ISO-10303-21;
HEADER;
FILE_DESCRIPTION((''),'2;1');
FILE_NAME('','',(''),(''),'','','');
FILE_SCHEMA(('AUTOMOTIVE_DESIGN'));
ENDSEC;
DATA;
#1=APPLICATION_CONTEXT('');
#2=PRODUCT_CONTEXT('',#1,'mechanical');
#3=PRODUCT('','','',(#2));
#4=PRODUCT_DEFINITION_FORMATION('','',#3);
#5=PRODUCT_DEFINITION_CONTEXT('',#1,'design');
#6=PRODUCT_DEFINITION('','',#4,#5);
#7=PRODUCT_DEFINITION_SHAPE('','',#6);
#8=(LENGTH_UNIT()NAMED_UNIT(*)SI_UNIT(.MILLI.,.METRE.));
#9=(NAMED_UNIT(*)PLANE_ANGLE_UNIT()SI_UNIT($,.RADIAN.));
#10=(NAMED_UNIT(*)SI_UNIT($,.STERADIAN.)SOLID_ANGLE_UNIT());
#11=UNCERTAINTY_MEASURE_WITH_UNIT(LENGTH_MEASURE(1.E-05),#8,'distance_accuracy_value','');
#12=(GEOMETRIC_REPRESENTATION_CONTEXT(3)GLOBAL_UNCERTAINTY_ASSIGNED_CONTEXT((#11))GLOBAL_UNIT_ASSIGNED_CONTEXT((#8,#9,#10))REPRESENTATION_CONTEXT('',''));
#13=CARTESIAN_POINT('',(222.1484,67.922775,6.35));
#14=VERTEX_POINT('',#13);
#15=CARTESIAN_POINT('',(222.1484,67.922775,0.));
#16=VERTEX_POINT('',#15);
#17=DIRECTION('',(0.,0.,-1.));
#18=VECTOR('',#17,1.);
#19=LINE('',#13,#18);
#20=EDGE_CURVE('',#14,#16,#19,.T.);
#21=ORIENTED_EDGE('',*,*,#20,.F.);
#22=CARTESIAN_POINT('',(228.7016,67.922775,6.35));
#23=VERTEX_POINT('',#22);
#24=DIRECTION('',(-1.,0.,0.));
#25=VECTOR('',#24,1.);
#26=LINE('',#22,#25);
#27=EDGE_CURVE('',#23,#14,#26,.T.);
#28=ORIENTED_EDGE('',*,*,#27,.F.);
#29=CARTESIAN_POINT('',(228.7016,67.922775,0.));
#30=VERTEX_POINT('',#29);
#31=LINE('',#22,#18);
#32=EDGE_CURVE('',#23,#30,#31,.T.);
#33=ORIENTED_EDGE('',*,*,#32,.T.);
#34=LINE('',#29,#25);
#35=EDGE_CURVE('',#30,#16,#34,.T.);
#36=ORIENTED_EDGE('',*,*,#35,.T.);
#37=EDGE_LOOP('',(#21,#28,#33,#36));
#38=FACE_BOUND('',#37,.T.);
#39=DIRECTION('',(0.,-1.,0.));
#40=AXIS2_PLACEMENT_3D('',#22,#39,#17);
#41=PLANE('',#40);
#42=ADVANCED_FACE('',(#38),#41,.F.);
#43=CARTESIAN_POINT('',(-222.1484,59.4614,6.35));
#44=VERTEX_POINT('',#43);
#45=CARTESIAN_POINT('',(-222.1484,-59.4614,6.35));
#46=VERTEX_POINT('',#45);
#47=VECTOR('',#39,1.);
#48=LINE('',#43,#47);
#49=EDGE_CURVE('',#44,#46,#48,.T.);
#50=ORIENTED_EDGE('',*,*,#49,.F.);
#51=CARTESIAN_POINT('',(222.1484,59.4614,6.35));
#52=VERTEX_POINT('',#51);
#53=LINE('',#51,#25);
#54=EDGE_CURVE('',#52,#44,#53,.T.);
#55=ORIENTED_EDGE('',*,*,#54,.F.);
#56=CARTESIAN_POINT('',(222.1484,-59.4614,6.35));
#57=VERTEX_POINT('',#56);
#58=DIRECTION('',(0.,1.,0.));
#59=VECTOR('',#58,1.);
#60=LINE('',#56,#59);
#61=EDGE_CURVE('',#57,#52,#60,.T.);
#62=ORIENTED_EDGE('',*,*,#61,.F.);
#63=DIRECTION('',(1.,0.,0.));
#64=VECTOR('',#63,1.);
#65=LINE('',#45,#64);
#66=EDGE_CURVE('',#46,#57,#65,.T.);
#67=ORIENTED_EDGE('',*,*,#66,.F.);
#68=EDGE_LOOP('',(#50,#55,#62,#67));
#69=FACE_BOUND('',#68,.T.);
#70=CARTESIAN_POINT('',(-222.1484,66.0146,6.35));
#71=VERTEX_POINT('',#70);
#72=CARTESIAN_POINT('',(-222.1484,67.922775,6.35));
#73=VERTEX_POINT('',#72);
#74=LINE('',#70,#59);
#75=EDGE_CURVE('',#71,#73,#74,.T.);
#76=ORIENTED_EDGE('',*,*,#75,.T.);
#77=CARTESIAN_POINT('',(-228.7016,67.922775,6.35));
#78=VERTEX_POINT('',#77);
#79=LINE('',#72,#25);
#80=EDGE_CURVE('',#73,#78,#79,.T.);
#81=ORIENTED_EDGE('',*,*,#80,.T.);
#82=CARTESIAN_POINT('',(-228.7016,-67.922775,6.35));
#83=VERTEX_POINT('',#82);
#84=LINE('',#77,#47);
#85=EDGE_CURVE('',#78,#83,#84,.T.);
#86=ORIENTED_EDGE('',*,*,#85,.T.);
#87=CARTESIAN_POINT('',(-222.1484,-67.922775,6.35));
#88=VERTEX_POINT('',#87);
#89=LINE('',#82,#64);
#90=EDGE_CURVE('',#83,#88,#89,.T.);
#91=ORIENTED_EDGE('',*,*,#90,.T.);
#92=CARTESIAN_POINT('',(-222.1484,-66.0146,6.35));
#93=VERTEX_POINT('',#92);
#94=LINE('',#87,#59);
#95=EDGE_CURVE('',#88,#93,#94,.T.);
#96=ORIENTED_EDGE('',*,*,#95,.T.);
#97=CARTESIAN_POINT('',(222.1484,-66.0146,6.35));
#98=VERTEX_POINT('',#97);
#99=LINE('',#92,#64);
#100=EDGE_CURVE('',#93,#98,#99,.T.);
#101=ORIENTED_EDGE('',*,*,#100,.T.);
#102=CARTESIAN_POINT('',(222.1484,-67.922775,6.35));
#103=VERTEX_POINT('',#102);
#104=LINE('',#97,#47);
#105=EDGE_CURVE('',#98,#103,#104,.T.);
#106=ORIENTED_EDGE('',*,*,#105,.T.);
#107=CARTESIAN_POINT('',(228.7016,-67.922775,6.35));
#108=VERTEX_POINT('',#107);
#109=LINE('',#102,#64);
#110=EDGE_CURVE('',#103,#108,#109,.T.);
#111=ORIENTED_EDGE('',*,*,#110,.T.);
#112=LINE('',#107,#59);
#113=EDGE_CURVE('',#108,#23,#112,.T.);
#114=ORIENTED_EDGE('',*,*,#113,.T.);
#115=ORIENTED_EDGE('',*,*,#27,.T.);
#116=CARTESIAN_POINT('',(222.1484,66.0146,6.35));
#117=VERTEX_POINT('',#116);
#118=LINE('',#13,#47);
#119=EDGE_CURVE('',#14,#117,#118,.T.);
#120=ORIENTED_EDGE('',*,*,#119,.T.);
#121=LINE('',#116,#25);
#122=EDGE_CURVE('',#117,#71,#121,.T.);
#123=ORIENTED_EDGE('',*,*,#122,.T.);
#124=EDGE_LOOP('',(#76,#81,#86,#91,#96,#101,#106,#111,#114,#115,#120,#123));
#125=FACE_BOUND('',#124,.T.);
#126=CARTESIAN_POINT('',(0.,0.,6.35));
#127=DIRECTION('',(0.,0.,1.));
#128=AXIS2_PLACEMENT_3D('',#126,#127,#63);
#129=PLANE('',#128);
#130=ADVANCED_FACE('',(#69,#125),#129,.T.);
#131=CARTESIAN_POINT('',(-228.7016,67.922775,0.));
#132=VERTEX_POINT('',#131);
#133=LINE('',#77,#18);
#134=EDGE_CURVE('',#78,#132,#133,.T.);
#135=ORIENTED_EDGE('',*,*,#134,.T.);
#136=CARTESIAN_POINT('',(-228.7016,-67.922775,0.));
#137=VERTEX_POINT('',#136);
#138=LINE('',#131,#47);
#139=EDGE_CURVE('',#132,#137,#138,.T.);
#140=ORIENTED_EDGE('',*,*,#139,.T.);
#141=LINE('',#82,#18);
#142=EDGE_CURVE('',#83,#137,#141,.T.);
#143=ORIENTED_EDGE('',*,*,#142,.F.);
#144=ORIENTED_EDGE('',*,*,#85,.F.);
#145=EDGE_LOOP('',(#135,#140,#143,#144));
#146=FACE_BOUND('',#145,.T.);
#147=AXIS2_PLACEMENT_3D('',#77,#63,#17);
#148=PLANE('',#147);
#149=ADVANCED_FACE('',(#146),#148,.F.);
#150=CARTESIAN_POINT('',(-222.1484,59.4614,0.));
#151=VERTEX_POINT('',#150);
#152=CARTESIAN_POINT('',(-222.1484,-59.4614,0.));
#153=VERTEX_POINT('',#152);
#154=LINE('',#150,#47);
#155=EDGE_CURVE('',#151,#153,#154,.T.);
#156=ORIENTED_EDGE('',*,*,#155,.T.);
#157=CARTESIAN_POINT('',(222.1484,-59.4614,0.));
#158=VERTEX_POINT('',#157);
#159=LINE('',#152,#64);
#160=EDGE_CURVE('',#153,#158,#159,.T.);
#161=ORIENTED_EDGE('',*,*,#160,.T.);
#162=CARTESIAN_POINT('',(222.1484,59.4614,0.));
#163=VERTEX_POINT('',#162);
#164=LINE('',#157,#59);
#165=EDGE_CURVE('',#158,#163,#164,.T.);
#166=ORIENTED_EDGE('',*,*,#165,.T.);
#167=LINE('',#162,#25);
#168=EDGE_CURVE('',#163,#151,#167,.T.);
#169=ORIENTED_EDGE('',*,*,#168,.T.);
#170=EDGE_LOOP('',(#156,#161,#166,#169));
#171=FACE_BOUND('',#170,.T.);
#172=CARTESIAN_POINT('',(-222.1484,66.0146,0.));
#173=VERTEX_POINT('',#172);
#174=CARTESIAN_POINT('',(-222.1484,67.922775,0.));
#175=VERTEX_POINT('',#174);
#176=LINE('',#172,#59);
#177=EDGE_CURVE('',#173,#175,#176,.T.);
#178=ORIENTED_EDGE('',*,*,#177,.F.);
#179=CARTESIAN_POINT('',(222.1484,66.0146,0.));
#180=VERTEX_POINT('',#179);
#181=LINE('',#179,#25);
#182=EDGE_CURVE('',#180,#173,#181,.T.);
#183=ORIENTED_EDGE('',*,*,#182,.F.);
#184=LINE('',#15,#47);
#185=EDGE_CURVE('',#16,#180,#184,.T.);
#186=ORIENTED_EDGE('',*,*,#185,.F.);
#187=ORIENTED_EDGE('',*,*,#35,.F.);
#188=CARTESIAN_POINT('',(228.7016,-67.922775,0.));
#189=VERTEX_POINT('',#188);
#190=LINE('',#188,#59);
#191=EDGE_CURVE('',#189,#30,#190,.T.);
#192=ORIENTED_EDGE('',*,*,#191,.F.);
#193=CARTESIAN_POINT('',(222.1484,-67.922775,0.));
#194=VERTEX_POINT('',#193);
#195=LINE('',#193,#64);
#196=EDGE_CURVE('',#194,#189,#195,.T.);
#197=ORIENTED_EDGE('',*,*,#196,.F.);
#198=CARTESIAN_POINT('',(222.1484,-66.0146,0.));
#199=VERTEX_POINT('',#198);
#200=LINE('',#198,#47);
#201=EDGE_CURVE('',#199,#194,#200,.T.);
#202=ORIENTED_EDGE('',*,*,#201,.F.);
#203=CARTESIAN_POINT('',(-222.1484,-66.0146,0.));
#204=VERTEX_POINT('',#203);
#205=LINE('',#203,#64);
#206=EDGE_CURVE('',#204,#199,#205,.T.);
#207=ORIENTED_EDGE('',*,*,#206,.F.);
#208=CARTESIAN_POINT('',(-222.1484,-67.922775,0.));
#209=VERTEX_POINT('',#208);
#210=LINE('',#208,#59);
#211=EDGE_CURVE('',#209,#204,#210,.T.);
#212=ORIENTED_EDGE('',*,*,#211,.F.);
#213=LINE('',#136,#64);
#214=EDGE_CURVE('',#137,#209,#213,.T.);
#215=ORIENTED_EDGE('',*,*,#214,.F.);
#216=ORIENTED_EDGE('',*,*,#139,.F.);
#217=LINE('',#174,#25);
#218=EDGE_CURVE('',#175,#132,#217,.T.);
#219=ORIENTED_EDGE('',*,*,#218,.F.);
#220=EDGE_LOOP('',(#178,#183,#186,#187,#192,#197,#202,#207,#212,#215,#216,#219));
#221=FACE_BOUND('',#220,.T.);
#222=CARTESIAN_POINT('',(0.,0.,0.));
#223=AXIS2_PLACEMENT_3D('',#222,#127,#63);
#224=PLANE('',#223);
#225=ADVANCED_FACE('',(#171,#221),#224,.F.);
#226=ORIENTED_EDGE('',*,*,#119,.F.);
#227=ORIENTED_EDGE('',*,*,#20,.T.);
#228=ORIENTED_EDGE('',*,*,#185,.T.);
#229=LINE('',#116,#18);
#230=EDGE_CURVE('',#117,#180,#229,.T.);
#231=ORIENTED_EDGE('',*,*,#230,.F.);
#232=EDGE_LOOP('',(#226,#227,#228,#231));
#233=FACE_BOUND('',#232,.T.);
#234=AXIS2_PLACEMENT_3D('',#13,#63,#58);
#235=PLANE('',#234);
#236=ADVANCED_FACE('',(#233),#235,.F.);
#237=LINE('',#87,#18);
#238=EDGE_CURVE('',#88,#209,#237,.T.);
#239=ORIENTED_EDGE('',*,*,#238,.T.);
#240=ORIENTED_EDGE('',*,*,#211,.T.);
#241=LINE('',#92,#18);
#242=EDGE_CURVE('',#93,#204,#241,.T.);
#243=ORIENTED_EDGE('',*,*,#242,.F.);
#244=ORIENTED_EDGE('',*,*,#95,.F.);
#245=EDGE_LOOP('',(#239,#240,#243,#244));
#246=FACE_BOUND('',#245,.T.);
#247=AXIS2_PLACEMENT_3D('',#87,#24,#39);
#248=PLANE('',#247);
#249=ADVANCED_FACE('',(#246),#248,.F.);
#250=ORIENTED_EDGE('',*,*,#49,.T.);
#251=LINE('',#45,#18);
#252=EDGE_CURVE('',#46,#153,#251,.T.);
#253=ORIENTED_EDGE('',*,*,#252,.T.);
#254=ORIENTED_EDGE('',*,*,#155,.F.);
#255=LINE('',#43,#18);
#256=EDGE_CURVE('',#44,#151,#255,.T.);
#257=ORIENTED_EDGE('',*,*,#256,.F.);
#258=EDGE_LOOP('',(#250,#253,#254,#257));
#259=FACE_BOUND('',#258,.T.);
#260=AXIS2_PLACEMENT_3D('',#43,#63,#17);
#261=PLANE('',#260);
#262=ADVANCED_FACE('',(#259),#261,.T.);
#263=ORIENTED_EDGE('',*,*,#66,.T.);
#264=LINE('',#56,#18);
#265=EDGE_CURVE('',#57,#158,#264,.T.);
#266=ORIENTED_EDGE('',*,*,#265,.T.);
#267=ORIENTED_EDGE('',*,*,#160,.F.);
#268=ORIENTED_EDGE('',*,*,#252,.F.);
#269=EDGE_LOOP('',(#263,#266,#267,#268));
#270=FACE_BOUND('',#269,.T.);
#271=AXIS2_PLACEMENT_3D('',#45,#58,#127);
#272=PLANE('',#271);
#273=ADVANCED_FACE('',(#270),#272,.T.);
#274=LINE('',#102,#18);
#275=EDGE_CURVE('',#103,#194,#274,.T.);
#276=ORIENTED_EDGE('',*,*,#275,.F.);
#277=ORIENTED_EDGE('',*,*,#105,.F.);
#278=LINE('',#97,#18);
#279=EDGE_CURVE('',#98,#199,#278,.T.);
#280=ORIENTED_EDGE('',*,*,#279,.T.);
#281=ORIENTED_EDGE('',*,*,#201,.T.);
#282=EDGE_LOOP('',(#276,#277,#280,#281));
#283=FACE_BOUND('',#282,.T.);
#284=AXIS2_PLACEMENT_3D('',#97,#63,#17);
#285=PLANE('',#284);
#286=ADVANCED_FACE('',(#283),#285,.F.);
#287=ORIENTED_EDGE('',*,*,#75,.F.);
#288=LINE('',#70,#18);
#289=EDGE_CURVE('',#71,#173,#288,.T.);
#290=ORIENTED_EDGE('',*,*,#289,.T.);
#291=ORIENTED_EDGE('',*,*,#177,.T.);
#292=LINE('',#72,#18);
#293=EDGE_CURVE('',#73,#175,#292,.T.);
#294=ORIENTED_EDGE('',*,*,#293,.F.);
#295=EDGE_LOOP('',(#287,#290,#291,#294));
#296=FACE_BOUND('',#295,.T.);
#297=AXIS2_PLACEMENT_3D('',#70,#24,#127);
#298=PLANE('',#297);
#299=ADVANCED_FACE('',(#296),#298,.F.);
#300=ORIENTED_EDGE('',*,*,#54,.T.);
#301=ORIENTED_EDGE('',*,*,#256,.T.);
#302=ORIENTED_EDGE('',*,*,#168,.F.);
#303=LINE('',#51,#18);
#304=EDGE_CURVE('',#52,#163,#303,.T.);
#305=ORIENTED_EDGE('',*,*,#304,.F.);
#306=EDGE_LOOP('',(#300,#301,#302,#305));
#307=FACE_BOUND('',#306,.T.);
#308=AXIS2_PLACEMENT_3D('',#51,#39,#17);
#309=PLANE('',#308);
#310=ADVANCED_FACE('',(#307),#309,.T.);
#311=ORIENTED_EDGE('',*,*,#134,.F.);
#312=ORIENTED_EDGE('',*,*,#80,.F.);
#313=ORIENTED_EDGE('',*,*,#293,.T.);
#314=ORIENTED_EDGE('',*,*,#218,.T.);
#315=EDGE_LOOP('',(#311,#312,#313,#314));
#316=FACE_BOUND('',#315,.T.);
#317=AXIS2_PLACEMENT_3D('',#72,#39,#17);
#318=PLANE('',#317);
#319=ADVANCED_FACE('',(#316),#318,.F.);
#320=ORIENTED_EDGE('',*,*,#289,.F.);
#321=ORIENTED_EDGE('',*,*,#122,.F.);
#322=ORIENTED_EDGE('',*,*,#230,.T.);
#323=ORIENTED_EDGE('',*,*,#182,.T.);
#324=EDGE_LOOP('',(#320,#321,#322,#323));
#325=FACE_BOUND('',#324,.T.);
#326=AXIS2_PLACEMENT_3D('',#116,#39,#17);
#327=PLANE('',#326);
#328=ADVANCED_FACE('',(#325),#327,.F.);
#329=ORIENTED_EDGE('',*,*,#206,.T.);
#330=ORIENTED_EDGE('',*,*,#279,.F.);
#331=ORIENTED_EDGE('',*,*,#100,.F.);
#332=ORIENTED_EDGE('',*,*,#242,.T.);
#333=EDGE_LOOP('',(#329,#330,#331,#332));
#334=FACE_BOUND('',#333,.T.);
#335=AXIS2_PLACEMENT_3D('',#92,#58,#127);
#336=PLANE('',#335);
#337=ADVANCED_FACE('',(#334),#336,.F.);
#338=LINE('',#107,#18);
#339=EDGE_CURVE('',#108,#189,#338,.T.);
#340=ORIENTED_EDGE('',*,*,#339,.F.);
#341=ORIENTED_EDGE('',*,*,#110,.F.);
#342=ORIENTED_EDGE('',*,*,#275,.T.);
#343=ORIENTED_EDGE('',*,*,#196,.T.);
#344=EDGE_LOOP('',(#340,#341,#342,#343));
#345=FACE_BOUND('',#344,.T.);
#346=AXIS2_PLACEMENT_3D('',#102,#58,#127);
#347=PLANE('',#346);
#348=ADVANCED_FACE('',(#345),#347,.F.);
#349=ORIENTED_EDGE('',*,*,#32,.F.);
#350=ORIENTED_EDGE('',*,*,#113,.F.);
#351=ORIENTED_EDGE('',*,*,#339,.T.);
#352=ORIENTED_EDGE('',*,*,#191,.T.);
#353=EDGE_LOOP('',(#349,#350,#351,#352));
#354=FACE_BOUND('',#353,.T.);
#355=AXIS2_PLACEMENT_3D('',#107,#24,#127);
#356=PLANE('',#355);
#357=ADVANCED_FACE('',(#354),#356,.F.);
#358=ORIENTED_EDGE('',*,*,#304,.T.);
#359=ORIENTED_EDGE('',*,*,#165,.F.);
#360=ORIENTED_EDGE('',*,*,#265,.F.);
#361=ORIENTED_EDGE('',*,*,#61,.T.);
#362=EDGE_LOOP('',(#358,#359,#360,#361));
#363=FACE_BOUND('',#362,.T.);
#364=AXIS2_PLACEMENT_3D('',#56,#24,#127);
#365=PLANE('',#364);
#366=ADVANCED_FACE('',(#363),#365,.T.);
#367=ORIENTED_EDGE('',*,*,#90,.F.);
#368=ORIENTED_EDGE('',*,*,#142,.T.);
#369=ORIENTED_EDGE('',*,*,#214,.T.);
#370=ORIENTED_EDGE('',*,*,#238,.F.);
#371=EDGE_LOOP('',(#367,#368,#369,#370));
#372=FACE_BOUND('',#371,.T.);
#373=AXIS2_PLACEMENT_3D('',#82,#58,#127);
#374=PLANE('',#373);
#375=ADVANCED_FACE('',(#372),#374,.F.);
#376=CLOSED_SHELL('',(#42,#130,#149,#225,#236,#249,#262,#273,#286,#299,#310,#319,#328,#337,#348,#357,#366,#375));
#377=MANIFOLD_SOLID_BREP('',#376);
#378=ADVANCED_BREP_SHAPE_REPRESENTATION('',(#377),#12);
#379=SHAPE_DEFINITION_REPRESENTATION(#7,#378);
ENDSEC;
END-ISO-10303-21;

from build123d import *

# Parameters (mm, degrees)
SKETCH1_W           = 444.2968
SKETCH1_H           = 118.9228
BOSS_EXTRUDE1_DEPTH = 6.35


with BuildPart() as part:
    # Sketch1 → Boss-Extrude1 (new body)
    with BuildSketch(Plane.XY):
        Polygon((222.1484, -67.922775), (228.7016, -67.922775), (228.7016, 67.922775), (222.1484, 67.922775), (222.1484, 66.0146), (-222.1484, 66.0146), (-222.1484, 67.922775), (-228.7016, 67.922775), (-228.7016, -67.922775), (-222.1484, -67.922775), (-222.1484, -66.0146), (222.1484, -66.0146), align=None)
        Rectangle(SKETCH1_W, SKETCH1_H, mode=Mode.SUBTRACT)
    extrude(amount=BOSS_EXTRUDE1_DEPTH)


solid = part.part
